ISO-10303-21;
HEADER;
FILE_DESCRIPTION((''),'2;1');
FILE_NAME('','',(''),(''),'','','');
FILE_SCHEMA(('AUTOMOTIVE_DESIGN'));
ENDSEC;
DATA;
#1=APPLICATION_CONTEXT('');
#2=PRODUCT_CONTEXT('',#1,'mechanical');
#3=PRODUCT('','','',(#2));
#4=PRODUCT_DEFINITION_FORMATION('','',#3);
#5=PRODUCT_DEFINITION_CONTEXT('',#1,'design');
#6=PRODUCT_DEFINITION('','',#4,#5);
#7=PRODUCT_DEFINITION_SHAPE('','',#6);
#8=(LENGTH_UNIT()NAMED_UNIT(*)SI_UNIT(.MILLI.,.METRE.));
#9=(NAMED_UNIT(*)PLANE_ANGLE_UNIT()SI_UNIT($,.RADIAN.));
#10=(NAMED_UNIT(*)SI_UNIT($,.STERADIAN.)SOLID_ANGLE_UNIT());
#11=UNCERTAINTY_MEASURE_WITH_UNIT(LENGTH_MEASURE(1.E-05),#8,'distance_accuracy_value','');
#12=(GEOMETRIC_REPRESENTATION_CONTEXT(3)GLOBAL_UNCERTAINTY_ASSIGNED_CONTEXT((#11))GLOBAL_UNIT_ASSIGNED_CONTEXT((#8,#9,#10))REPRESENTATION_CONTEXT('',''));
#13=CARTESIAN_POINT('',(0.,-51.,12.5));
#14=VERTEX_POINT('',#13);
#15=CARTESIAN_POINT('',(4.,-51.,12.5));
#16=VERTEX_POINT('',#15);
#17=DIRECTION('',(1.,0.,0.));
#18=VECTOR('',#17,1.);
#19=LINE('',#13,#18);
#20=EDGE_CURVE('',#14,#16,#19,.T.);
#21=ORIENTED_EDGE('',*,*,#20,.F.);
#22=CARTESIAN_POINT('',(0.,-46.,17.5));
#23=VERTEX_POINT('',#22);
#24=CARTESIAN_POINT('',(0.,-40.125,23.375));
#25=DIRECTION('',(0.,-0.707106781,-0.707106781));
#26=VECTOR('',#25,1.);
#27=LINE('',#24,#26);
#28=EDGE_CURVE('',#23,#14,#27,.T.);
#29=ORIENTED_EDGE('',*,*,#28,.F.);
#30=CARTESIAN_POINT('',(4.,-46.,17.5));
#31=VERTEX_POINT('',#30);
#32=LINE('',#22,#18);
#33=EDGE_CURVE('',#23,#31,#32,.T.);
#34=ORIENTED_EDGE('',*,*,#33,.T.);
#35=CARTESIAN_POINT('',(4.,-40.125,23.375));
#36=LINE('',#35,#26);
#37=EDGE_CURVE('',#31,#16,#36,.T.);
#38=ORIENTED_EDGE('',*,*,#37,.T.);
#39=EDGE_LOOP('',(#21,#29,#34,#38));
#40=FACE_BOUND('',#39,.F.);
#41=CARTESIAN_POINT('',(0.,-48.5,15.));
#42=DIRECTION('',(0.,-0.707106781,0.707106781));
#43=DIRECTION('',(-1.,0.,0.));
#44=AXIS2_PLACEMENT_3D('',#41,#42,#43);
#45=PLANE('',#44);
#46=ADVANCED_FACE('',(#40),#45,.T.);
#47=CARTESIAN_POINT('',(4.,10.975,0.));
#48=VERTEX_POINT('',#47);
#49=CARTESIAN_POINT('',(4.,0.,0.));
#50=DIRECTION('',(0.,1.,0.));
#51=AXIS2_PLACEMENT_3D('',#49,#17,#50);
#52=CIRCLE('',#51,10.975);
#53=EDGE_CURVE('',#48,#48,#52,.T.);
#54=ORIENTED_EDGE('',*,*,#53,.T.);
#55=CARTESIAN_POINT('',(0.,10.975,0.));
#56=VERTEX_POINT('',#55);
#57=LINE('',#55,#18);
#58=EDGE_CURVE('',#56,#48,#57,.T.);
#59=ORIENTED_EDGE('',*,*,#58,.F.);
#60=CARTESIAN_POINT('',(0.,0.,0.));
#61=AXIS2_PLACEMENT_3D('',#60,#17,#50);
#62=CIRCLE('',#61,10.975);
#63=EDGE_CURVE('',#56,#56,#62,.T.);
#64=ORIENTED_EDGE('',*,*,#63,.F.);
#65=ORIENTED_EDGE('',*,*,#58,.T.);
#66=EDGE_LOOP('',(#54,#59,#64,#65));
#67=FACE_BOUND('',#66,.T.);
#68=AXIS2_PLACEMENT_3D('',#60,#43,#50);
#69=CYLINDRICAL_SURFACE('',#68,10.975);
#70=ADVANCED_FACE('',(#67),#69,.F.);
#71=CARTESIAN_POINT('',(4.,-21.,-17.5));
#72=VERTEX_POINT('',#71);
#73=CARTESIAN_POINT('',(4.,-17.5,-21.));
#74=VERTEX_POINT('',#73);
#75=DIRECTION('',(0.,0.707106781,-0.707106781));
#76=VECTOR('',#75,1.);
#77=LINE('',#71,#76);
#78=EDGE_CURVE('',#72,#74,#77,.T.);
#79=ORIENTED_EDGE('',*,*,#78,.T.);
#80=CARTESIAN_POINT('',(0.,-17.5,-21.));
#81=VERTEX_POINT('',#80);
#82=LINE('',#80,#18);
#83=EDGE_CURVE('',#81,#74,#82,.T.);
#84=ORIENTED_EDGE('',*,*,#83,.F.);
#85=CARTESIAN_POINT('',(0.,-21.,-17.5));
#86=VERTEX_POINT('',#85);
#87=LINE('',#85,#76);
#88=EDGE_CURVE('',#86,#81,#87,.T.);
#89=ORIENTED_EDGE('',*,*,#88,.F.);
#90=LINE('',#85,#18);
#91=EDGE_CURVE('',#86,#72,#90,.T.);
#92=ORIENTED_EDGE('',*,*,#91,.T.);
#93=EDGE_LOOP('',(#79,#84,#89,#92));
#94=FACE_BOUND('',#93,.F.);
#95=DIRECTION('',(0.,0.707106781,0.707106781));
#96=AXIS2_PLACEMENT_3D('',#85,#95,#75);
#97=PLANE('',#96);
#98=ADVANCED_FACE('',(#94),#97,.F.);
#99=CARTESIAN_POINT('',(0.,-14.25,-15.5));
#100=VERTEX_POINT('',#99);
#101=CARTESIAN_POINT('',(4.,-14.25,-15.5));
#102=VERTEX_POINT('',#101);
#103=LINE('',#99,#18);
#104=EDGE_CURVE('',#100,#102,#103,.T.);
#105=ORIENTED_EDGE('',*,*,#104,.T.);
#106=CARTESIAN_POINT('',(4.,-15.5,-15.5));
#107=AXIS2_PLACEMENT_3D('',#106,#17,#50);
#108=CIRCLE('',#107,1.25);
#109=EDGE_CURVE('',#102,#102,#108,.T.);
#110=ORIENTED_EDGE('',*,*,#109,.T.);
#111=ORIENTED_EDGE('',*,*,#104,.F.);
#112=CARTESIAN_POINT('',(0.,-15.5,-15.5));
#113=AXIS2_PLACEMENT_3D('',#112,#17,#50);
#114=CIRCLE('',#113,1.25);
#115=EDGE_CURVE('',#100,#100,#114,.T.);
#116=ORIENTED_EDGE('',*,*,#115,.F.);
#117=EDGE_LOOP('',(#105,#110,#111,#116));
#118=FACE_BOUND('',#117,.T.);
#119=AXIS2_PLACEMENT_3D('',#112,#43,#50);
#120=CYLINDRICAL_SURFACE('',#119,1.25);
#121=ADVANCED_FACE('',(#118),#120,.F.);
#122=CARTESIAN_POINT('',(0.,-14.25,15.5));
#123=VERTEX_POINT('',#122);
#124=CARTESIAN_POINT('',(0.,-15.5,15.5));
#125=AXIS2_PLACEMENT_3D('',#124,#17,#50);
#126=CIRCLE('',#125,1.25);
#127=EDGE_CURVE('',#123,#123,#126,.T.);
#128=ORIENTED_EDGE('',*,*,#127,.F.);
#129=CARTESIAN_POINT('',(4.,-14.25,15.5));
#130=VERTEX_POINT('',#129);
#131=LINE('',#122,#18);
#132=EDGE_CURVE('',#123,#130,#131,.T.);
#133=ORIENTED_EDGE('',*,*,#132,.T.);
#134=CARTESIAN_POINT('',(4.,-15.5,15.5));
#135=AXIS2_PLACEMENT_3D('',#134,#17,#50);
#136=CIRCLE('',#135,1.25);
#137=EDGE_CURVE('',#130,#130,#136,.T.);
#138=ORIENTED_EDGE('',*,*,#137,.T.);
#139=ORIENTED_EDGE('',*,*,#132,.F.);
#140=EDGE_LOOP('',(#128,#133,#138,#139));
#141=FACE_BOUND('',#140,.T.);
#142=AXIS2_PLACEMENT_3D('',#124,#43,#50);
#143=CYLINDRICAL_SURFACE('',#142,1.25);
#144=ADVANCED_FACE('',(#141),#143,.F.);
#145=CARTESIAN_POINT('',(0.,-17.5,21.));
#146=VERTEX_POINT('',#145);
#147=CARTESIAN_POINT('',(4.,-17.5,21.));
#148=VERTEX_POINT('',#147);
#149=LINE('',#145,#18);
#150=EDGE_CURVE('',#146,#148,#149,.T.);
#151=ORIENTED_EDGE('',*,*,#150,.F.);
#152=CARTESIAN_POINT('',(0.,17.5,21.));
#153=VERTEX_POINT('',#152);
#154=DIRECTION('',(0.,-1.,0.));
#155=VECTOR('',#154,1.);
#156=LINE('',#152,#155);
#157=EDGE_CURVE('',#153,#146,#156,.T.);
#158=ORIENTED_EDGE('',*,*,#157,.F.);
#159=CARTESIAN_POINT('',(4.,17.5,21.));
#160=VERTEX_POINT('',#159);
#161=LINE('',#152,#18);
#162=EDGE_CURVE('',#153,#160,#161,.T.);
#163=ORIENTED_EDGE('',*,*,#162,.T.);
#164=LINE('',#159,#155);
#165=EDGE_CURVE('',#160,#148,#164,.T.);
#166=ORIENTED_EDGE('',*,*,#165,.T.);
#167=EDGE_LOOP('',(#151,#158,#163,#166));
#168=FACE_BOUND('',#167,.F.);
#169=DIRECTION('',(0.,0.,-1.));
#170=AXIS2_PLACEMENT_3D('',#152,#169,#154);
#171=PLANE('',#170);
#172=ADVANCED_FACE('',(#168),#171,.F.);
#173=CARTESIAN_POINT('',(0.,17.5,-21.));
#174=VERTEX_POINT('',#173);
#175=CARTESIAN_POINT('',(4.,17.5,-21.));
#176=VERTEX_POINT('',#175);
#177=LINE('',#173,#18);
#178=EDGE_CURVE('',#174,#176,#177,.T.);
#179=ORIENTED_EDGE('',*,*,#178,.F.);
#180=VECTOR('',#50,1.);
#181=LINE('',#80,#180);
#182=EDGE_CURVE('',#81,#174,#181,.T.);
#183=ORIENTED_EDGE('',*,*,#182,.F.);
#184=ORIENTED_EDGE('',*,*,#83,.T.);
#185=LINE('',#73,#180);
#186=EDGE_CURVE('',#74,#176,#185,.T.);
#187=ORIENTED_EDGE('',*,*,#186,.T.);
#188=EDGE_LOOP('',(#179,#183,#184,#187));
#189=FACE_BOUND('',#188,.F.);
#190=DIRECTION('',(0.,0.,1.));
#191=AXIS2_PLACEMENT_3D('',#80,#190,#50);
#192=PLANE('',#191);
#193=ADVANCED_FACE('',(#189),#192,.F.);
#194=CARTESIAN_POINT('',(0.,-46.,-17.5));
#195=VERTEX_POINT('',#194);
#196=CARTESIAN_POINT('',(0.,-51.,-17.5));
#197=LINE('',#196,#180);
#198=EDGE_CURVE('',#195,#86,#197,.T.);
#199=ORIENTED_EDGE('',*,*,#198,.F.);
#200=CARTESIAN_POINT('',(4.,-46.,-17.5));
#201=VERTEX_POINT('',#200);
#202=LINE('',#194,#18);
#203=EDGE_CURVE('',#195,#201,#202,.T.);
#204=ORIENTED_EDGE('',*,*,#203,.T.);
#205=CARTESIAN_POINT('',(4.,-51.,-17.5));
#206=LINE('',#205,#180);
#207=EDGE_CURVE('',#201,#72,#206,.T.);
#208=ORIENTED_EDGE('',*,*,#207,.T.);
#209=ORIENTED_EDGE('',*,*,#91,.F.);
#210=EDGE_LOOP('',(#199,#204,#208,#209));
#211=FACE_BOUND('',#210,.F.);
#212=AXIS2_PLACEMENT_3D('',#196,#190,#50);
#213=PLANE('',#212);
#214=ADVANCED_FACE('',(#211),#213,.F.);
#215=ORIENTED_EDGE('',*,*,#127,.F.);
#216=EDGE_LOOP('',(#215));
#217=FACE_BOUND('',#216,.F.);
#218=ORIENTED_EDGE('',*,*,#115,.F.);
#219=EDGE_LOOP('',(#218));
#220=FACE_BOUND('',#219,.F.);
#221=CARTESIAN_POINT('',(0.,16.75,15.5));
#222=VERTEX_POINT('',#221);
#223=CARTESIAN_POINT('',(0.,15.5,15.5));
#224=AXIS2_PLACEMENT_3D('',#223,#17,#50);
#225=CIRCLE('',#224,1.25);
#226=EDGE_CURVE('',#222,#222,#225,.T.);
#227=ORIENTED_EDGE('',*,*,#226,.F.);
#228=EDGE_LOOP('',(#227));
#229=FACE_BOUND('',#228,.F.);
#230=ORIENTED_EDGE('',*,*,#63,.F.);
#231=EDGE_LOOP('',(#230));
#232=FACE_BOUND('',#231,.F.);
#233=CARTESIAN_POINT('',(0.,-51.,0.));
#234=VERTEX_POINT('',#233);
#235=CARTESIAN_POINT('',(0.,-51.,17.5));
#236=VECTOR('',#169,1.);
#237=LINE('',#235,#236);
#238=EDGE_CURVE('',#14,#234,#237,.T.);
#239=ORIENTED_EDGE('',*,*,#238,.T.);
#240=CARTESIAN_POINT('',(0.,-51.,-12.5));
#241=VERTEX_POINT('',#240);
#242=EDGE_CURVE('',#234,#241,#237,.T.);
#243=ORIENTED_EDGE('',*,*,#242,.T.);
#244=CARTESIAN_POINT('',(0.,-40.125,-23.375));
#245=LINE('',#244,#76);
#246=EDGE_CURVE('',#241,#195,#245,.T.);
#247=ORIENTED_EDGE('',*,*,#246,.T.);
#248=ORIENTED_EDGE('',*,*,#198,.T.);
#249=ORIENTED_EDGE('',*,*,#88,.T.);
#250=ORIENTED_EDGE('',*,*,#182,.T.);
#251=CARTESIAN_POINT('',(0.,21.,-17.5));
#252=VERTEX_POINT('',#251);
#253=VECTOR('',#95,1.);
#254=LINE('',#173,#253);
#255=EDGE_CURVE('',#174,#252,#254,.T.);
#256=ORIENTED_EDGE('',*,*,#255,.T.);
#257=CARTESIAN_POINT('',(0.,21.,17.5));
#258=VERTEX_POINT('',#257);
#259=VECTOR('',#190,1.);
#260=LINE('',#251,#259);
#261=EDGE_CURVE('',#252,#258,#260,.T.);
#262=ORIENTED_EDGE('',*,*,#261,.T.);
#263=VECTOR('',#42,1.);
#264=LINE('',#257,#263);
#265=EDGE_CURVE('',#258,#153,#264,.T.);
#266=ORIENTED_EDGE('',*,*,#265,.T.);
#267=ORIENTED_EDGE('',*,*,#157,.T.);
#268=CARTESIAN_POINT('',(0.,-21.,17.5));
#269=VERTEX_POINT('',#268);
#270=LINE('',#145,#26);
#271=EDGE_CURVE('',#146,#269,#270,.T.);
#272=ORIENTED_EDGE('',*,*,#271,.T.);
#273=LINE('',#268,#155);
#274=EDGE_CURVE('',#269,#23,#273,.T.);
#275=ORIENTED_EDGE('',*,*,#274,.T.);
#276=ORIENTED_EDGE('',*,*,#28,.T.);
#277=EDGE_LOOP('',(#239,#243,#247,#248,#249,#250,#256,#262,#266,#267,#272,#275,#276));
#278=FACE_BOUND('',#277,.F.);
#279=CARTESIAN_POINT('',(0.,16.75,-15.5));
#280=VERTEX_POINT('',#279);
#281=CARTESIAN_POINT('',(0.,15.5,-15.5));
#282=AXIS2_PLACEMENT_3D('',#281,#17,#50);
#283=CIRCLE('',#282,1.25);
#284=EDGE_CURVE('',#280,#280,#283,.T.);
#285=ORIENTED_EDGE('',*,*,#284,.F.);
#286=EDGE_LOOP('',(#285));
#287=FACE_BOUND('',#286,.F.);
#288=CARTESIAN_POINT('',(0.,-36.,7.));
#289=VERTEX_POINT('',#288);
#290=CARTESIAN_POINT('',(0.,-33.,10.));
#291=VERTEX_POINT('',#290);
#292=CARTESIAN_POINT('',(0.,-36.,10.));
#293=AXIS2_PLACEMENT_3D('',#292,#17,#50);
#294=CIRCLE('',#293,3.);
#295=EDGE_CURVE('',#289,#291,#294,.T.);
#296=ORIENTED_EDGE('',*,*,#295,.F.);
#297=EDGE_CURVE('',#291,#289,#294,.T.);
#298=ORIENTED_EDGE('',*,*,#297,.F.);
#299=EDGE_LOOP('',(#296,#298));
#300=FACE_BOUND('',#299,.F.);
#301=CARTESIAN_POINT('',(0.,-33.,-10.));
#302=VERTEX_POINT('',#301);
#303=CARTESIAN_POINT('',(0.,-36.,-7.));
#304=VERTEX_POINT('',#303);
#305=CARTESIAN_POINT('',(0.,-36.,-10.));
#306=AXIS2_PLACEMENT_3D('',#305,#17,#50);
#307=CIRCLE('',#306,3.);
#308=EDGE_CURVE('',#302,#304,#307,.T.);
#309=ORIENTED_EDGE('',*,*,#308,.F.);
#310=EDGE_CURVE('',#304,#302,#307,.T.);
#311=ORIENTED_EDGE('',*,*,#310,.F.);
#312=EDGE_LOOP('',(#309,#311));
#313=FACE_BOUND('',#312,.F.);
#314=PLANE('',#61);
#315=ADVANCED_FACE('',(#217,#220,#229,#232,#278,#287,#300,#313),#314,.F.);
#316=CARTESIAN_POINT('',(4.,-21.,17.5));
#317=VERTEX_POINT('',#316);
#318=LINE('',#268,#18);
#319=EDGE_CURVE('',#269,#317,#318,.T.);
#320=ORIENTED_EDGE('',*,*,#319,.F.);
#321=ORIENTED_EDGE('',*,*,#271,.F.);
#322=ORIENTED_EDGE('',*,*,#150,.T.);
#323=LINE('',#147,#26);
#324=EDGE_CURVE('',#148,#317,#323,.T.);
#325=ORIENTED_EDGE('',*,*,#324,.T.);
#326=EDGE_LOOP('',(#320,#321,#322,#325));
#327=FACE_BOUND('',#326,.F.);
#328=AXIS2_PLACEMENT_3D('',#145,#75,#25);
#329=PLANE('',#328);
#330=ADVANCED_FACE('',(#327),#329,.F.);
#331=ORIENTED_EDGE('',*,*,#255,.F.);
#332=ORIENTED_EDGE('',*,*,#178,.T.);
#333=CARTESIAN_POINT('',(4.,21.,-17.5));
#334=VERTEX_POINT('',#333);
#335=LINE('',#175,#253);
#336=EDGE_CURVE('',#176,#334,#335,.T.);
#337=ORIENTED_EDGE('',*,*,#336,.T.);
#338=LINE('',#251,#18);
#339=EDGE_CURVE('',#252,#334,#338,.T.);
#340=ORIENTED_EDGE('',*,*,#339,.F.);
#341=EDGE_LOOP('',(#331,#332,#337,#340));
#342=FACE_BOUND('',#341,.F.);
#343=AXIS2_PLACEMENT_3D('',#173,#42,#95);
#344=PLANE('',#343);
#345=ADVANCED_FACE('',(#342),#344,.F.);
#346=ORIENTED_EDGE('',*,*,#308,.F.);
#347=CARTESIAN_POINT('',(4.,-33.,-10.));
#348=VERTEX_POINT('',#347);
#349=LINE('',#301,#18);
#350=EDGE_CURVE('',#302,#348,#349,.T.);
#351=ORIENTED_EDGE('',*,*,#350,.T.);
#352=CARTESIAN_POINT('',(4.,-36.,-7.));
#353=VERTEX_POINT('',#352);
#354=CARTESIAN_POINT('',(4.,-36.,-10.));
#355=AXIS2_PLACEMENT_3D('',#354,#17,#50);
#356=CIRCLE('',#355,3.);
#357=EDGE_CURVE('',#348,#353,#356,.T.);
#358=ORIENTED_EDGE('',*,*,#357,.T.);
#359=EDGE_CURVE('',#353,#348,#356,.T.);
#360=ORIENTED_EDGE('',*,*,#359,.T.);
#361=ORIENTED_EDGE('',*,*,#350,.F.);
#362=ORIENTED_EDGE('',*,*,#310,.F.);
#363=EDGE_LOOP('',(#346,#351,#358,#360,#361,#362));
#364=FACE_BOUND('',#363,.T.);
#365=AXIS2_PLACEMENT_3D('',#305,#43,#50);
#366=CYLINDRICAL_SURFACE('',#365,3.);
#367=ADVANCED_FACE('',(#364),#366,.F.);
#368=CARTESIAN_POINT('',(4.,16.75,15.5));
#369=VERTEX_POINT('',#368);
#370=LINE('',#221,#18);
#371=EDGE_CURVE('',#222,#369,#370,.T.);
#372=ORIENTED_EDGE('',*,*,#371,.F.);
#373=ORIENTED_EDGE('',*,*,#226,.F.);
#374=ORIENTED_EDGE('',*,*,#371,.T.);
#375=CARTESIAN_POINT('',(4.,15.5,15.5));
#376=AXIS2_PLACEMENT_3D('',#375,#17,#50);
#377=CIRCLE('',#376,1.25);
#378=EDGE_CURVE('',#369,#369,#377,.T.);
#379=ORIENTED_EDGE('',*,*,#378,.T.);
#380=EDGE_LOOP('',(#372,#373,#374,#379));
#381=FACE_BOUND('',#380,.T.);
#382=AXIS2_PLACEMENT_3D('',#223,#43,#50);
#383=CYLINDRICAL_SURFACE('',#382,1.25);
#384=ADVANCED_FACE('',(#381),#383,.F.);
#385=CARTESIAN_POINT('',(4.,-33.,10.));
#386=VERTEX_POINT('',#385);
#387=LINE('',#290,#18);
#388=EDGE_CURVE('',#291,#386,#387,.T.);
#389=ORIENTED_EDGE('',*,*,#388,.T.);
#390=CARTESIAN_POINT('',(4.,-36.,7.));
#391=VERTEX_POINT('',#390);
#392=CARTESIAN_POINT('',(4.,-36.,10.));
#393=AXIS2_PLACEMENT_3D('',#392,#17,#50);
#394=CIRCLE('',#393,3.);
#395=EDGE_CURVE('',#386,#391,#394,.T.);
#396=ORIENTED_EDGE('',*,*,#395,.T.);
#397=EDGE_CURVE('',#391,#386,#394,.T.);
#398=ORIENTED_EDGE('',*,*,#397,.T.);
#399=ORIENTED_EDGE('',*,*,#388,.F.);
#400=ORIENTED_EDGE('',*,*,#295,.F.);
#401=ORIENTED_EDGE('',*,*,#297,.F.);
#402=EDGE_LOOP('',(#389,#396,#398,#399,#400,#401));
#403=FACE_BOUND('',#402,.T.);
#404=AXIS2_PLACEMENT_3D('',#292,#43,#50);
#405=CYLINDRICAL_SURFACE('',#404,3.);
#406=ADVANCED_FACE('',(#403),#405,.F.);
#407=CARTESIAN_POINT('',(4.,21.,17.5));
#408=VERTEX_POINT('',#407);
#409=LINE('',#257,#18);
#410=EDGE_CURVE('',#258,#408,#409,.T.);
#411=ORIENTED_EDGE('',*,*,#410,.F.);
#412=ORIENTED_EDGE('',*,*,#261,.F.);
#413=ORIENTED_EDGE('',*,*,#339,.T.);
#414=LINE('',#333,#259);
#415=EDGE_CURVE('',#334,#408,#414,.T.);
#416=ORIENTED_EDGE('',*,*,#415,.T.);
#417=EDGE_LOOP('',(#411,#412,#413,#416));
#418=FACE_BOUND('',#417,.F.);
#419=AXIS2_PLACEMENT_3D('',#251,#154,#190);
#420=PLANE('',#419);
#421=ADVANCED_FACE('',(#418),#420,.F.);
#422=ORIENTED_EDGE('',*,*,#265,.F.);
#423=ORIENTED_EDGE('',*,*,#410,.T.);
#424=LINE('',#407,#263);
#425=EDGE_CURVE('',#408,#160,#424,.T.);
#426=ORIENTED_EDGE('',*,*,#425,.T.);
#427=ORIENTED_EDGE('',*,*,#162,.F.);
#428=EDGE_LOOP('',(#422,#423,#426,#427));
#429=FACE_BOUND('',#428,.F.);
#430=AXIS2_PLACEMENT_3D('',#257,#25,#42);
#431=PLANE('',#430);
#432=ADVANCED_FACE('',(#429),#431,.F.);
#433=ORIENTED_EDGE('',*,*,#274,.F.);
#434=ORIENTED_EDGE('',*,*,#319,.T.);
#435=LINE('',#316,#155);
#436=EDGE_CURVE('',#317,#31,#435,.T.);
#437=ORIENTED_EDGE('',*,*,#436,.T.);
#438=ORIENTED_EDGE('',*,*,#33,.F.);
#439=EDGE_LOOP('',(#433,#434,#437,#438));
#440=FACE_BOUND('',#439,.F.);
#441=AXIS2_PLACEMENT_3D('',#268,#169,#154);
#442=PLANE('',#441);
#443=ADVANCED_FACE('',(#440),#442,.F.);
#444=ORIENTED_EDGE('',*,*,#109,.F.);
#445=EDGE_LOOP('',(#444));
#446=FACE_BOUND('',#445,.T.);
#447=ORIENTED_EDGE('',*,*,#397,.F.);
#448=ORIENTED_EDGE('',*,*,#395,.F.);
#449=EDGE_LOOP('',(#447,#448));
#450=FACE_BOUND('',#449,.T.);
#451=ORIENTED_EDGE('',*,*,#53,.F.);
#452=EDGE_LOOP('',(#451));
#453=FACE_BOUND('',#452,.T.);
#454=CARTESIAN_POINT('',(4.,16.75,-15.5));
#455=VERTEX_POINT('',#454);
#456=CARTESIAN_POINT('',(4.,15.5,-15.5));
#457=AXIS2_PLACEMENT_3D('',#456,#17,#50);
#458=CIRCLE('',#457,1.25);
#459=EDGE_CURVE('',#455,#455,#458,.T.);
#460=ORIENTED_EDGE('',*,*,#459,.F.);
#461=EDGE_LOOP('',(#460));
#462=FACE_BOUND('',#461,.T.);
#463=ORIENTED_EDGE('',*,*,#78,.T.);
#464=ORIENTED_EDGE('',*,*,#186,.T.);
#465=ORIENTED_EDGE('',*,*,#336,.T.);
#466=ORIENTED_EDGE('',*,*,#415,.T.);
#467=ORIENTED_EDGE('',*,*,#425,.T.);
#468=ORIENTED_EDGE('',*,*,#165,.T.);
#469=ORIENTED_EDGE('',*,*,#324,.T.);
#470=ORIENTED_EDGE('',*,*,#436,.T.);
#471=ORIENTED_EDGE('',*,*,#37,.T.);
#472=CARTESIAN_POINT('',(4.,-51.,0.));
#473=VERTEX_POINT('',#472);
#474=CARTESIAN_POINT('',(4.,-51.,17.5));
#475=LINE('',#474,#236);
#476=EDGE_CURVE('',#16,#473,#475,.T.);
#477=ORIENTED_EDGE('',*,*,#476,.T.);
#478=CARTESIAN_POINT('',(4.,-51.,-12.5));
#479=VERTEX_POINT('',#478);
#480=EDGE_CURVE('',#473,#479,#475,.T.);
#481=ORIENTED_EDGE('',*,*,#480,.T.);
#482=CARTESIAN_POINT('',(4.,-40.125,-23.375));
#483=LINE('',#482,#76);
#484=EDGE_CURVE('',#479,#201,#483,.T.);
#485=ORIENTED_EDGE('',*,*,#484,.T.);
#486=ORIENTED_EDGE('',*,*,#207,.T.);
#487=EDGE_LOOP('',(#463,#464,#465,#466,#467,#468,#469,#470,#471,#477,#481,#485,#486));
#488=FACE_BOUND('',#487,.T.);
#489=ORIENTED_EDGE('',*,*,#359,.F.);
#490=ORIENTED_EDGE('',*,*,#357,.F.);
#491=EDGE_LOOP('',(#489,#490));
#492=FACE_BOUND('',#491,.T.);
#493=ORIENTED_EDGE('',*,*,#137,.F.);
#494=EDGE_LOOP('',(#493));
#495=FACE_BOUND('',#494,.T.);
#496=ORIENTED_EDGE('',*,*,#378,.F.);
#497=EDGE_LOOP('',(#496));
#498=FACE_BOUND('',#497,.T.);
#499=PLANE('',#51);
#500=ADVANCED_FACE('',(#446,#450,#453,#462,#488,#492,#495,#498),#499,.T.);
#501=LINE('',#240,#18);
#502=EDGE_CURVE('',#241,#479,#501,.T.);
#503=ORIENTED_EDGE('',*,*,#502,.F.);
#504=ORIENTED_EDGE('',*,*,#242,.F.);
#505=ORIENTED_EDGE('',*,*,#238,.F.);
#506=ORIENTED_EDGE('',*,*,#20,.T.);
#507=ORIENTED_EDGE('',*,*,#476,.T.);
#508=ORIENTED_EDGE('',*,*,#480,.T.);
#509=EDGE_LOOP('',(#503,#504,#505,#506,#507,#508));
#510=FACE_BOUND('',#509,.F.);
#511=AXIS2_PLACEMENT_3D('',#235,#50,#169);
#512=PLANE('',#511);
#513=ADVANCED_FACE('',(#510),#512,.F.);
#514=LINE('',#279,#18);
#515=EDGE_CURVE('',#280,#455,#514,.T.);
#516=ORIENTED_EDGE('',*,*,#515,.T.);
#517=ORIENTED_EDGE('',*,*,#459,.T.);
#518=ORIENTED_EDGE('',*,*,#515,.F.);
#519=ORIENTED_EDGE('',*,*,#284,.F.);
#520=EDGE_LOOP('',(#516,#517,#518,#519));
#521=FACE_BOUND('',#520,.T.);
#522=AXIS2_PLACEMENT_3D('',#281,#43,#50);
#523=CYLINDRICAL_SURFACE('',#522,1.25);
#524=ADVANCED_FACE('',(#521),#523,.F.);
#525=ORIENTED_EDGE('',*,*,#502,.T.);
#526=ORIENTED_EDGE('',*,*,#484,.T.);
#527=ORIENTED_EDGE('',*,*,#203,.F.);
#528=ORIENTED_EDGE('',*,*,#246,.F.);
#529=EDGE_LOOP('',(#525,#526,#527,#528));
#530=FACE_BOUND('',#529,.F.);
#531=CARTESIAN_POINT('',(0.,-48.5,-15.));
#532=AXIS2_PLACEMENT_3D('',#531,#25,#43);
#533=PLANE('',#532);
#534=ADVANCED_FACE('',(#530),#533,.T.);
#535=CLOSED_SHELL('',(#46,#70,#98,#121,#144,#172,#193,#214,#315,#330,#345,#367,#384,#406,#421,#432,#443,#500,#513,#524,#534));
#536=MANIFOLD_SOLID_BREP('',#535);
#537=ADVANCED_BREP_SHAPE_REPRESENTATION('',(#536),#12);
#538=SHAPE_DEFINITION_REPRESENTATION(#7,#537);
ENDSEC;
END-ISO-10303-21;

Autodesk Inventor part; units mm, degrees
ref_plane "YZ Plane" through (0, 0, 0) normal (1, 0, 0) x (0, 1, 0)
ref_plane "XZ Plane" through (0, 0, 0) normal (0, 1, 0) x (-1, 0, 0)
ref_plane "XY Plane" through (0, 0, 0) normal (0, 0, 1) x (1, 0, 0)
sketch "Эскиз1" plane through (0, 0, 0) normal (1, 0, 0) x (0, 1, 0)
  line L0 (-17.5, 21) -> (-21, 17.5)
  line L1 (-21, 17.5) -> (-21, -17.5)
  line L2 (-21, -17.5) -> (-17.5, -21)
  line L3 (-17.5, -21) -> (17.5, -21)
  line L4 (17.5, -21) -> (21, -17.5)
  line L5 (21, -17.5) -> (21, 17.5)
  line L6 (21, 17.5) -> (17.5, 21)
  line L7 (17.5, 21) -> (-17.5, 21)
  circle A0 centre (0, 0) radius 10.975
  circle A1 centre (-15.5, -15.5) radius 1.25
  circle A2 centre (15.5, -15.5) radius 1.25
  circle A3 centre (15.5, 15.5) radius 1.25
  circle A4 centre (-15.5, 15.5) radius 1.25
  line L8 (-21, 17.5) -> (-51, 17.5)
  line L9 (-51, 17.5) -> (-51, -17.5)
  line L10 (-51, -17.5) -> (-21, -17.5)
  line L11 (-21, -17.5) -> (-21, 17.5)
  line L12 (-51, 0) -> (-36, 0)
  line L13 (-36, 0) -> (-36, 10)
  line L14 (-36, 10) -> (-36, -10)
  circle A5 centre (-36, 10) radius 3
  circle A6 centre (-36, -10) radius 3
  dimension "d0" = 30
  dimension "d1" = 15
  dimension "d2" = 10
  dimension "d3" = 20
  dimension "d4" = 6
  dimension "d5" = 6
  dimension "d12" = 21.95
extrude "Выдавливание1" add sketch "Эскиз1" along normal blind 4
chamfer "Фаска1" distance 5 angle 45 2 edges at (2, -51, 17.5) (2, -51, -17.5)
properties part number "КВ33.044.002 - Деражатель мотора"
